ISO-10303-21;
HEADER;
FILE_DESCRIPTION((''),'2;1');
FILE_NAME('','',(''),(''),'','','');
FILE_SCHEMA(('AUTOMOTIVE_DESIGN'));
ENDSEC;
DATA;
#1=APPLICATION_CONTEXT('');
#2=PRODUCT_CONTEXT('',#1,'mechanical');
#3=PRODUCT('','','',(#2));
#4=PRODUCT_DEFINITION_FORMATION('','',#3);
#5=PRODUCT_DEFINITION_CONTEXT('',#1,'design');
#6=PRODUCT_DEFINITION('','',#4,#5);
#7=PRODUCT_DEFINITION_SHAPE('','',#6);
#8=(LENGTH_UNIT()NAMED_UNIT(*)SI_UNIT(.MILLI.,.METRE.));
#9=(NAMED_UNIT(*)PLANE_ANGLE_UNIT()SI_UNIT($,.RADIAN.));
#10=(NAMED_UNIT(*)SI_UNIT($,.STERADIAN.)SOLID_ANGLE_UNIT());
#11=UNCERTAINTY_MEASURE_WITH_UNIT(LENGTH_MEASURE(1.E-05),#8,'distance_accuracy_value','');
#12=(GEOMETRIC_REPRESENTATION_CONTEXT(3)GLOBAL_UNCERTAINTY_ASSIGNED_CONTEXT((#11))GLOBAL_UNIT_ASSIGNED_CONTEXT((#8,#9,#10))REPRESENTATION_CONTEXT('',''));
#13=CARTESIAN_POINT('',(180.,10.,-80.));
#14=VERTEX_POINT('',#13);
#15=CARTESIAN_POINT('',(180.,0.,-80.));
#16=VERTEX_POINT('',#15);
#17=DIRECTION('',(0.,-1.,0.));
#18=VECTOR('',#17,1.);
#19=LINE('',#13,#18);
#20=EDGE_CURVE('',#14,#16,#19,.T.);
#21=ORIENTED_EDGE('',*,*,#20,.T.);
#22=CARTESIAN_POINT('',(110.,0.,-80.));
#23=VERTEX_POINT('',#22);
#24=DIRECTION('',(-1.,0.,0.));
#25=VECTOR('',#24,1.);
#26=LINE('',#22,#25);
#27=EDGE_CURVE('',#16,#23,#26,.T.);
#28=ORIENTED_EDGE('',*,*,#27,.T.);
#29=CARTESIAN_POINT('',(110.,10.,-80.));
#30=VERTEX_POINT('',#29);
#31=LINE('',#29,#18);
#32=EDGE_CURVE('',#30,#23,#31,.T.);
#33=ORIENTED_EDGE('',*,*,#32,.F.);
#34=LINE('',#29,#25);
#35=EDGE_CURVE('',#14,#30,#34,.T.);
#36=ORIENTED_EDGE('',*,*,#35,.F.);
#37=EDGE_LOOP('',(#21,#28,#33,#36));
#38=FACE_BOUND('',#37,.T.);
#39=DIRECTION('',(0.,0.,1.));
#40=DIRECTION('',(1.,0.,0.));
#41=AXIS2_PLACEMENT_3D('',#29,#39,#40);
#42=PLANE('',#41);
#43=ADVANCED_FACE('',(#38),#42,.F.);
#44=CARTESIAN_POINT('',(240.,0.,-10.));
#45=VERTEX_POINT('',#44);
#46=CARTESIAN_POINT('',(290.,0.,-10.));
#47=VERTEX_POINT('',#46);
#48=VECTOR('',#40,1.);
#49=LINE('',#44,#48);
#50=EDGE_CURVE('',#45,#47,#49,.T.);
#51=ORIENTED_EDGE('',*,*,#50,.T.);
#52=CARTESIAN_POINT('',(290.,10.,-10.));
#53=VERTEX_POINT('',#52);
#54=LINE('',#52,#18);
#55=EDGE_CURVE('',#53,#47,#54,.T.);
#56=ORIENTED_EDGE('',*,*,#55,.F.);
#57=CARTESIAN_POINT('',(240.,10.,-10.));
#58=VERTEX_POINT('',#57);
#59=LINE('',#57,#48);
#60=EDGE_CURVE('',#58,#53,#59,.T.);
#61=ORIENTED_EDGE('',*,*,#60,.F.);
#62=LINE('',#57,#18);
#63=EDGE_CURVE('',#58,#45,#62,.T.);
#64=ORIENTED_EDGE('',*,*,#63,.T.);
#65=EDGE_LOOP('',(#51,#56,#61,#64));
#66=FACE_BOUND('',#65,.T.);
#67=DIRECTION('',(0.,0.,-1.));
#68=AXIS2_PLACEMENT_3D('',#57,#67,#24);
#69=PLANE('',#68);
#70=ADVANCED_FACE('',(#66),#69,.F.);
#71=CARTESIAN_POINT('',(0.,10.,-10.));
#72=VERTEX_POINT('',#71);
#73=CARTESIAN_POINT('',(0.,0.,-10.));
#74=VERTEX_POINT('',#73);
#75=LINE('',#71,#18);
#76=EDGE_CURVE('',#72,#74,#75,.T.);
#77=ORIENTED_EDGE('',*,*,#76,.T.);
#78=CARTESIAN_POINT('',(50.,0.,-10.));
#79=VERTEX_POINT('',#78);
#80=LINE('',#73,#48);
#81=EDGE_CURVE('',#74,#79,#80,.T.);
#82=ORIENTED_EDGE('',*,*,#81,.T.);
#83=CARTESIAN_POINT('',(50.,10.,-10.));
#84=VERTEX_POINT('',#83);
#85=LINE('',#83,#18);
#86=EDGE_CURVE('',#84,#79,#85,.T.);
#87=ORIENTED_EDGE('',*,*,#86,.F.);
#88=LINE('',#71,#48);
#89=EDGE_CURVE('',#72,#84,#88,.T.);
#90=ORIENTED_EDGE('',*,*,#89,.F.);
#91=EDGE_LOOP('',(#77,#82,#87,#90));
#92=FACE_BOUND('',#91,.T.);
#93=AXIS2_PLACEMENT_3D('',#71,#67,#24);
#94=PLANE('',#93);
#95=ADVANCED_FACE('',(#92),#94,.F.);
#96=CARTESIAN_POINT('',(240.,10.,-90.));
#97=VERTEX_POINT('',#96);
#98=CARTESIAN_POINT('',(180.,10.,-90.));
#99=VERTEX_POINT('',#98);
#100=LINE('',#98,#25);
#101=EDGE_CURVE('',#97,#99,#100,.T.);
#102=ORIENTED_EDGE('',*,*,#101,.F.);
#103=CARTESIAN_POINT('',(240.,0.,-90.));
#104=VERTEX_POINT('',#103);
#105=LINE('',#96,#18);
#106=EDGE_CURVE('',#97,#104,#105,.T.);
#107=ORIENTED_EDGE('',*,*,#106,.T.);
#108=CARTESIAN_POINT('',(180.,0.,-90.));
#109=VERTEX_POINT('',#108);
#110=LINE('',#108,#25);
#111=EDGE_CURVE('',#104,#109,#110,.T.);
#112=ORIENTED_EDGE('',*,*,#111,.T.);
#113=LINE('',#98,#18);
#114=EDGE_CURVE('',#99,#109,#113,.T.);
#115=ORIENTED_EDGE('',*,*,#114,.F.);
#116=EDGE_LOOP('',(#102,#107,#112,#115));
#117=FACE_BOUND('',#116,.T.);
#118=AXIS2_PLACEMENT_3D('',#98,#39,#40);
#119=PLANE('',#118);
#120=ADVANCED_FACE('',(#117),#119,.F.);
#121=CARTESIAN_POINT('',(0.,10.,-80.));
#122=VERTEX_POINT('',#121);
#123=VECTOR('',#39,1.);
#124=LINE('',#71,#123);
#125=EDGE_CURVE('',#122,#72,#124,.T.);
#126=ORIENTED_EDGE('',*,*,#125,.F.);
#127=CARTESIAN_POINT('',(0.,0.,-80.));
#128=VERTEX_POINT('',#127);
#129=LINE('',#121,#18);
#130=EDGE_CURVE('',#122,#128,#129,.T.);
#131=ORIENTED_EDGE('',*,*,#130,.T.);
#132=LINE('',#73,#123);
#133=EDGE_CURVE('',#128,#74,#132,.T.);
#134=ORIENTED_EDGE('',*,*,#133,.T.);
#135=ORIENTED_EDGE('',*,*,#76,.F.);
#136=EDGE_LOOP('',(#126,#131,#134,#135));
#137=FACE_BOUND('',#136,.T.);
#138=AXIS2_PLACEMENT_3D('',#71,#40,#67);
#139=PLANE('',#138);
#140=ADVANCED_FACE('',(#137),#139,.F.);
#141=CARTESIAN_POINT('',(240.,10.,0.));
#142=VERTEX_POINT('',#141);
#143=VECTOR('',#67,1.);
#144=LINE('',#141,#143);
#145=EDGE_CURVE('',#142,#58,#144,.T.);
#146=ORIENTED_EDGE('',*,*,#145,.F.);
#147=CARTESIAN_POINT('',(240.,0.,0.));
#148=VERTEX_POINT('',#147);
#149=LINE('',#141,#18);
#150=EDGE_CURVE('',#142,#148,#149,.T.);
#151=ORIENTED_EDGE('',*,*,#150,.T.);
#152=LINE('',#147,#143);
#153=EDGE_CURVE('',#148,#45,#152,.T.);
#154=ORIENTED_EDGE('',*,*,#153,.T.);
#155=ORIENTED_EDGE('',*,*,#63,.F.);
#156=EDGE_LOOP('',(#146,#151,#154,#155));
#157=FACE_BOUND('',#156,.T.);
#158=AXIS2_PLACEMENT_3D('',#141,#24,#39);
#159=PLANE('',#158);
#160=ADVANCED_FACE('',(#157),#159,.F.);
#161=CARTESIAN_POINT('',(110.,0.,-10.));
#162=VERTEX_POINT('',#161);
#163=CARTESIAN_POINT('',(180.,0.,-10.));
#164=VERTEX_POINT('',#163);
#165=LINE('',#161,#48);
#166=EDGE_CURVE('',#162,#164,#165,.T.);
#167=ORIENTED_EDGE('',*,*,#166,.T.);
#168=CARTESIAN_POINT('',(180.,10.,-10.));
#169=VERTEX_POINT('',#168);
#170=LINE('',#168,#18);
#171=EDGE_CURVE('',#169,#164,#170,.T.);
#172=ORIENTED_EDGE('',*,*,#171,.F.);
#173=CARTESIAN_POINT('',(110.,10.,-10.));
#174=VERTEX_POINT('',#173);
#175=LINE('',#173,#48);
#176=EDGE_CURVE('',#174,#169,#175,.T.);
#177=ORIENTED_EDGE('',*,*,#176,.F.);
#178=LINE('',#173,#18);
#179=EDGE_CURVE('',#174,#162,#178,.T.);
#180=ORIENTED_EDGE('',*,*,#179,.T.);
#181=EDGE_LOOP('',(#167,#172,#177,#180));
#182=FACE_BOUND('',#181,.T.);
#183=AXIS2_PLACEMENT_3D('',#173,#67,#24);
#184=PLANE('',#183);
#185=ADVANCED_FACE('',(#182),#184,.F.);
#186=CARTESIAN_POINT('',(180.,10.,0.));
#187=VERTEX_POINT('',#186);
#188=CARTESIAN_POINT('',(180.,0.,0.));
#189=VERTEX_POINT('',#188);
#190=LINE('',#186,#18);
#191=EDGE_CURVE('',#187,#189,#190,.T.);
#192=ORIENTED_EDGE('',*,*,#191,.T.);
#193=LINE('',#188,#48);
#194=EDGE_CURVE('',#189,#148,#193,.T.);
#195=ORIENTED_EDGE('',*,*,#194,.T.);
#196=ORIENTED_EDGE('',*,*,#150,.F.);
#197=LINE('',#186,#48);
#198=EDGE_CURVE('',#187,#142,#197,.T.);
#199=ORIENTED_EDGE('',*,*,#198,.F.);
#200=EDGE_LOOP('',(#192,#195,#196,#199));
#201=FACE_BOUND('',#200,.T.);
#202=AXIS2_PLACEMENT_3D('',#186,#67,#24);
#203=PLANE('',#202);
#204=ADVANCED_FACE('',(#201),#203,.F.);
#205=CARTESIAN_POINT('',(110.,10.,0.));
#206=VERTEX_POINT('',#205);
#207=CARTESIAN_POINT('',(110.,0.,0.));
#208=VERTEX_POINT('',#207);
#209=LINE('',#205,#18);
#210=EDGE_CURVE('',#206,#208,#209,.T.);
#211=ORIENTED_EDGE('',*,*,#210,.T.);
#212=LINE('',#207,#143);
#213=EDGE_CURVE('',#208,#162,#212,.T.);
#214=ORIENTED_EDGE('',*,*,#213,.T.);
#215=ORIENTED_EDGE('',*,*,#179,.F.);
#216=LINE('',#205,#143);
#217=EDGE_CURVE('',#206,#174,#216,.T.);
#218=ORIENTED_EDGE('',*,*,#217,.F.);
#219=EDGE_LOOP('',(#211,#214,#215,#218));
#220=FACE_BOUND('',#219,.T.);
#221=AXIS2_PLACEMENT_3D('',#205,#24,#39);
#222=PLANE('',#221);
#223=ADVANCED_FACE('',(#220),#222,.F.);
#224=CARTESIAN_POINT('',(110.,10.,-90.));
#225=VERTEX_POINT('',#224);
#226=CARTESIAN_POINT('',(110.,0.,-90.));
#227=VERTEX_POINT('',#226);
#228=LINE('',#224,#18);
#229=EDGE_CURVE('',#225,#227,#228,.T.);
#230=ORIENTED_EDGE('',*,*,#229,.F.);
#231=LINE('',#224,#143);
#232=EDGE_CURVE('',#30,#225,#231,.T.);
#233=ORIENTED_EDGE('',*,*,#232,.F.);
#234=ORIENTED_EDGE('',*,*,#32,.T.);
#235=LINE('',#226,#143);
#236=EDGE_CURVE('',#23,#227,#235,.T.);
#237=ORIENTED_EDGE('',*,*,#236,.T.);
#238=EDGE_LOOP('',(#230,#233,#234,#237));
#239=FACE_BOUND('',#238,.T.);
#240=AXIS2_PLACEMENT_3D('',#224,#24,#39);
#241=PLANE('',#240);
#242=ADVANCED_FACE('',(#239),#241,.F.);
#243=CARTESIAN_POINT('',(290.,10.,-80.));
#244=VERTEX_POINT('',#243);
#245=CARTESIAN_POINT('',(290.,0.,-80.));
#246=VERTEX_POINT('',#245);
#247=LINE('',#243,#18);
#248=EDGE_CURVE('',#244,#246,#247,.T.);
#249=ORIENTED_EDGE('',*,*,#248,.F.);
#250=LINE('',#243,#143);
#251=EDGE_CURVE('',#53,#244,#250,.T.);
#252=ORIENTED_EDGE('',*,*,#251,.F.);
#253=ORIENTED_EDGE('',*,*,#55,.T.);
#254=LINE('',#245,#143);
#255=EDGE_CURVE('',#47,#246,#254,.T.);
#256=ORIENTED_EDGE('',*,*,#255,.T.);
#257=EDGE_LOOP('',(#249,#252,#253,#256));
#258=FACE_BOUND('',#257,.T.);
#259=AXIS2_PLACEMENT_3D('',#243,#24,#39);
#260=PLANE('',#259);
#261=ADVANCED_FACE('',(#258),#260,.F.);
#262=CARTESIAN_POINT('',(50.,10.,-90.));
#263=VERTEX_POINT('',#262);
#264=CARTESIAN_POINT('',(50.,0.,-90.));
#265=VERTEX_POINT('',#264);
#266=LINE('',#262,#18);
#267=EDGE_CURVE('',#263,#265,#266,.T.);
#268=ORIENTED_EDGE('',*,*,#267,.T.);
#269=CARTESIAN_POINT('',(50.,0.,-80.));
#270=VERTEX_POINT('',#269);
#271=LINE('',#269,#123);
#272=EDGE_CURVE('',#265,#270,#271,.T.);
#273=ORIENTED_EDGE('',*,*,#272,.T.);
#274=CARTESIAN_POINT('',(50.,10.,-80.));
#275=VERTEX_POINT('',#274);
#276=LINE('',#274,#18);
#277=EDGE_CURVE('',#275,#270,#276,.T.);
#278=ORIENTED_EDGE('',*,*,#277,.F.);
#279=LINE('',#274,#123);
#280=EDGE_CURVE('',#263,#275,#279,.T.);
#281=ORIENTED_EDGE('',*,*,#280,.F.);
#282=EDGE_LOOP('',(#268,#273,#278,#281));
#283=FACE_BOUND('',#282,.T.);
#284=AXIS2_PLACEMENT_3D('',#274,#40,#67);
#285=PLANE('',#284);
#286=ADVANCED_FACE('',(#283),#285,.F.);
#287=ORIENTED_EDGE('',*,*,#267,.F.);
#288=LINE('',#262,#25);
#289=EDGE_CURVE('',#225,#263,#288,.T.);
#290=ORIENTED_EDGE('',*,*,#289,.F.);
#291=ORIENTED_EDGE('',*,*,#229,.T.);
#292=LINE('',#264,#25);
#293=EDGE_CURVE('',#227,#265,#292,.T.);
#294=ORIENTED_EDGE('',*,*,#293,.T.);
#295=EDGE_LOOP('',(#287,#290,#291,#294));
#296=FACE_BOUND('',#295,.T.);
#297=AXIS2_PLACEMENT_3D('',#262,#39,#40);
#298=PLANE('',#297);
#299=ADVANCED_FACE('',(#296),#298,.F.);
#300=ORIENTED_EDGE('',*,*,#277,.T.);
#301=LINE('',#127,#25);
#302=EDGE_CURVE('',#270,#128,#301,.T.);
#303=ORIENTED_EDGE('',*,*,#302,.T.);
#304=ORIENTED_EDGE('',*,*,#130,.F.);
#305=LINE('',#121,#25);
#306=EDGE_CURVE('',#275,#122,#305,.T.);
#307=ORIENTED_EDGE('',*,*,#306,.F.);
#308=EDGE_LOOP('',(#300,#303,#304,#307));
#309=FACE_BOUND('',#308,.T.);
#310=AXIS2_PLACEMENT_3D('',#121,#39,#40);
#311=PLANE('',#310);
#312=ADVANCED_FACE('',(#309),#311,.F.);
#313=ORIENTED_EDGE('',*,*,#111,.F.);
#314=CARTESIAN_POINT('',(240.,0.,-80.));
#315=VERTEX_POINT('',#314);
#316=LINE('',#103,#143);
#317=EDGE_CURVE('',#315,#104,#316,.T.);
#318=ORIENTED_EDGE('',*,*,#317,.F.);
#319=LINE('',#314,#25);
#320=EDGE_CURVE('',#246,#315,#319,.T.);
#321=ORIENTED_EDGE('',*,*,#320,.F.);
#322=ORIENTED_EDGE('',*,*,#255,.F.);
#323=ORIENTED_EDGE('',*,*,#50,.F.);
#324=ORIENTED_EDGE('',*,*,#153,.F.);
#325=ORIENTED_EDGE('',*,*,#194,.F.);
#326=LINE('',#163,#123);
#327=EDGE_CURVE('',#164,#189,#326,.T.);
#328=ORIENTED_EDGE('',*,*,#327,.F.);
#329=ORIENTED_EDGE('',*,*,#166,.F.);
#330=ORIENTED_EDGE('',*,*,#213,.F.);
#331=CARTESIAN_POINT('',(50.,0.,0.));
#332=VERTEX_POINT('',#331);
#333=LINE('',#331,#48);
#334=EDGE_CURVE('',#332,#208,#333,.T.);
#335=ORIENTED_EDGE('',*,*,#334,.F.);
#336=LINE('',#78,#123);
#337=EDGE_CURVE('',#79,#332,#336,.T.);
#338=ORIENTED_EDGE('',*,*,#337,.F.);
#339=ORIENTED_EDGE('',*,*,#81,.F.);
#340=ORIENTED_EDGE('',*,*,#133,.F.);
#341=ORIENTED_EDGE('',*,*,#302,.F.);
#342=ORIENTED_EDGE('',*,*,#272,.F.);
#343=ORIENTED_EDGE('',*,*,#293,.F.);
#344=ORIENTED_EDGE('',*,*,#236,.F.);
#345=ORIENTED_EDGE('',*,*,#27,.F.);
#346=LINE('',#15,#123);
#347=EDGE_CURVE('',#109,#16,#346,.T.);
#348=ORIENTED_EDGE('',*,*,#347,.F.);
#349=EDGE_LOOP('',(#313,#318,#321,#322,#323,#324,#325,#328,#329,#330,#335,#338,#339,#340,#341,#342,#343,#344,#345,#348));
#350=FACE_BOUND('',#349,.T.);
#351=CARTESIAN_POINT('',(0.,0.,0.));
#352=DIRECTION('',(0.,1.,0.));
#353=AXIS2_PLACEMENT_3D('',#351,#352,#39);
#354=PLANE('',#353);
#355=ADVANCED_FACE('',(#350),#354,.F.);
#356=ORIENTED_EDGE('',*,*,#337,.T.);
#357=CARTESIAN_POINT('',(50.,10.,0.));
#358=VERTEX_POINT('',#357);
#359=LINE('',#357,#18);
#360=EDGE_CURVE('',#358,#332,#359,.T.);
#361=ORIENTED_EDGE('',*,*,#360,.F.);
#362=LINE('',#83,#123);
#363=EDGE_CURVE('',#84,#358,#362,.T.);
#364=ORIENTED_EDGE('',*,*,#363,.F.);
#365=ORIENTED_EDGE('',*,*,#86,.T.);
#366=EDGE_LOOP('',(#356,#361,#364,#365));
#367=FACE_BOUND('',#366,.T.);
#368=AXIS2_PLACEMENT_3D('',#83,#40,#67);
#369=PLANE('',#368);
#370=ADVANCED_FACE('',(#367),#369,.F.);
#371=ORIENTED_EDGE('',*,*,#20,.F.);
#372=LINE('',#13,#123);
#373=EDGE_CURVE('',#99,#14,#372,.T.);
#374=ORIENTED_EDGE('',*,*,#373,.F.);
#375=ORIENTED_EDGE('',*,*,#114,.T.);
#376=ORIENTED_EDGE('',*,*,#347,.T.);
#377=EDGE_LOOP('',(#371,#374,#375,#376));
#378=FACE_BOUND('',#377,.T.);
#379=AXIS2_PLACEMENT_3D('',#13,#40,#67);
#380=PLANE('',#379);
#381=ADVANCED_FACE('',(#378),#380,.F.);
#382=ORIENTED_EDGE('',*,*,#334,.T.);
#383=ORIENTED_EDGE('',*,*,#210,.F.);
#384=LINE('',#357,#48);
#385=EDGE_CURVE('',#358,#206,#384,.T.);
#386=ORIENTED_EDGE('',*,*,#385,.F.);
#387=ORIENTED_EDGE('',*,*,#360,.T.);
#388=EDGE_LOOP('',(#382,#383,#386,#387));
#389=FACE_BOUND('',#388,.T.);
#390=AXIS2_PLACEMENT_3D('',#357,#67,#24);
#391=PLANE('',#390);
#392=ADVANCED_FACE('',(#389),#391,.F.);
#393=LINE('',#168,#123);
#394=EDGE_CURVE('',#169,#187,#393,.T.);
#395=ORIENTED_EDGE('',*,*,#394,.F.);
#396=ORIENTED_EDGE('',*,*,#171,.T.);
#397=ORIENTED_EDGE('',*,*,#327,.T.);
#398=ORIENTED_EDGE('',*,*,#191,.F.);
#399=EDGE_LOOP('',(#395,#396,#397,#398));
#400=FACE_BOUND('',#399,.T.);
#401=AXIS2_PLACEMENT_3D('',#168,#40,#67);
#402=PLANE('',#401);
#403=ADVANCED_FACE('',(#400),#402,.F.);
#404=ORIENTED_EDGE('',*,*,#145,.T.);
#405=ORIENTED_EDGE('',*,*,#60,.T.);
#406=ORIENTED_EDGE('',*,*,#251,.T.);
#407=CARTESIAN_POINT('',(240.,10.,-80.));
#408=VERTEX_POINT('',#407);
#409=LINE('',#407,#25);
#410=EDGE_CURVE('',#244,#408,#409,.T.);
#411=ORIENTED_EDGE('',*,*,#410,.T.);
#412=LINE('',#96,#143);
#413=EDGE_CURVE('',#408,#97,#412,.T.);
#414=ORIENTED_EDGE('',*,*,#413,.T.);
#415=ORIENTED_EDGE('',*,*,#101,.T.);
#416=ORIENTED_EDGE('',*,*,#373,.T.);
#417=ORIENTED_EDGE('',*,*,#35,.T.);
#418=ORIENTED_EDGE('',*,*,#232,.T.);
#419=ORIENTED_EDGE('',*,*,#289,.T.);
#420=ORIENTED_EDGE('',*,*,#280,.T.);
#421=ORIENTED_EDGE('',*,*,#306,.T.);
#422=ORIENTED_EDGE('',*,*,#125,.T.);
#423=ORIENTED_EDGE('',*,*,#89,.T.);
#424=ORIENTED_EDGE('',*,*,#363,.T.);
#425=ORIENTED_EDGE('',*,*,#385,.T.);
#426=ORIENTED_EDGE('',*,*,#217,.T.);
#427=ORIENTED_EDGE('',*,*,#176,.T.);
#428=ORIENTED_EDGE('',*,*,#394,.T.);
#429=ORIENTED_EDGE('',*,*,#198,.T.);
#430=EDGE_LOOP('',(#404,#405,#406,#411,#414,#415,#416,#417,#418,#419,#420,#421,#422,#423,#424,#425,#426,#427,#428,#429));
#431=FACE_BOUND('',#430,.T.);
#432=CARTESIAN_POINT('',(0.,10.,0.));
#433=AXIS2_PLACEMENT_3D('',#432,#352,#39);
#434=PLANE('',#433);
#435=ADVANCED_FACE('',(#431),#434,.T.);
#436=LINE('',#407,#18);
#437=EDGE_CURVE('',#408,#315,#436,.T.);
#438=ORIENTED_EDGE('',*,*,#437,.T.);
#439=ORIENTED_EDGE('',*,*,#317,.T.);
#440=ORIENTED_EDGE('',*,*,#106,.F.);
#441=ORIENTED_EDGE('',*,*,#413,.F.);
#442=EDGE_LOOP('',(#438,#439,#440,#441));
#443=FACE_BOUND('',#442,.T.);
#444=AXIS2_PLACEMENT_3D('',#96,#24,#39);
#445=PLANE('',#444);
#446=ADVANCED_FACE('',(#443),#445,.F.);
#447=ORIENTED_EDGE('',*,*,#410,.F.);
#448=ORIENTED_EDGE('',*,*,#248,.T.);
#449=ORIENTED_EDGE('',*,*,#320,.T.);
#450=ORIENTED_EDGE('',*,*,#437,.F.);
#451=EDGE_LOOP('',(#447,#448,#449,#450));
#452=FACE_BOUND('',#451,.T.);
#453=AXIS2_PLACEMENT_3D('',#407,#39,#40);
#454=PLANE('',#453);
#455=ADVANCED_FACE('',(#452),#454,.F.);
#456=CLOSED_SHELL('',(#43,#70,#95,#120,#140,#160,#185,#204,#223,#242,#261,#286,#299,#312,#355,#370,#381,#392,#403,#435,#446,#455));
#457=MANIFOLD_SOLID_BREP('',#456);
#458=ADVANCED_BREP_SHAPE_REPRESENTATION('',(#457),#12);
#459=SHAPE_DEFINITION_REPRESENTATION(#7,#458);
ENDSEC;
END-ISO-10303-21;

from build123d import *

# Parameters (mm, degrees)
BOSS_EXTRU_1_DEPTH = 10


with BuildPart() as part:
    # Esquisse1 → Boss.-Extru.1 (new body)
    with BuildSketch(Plane(origin=(0, 0, 0), x_dir=(1, 0, 0), z_dir=(0, 1, 0))):
        Polygon((0, 10), (50, 10), (50, 0), (110, 0), (110, 10), (180, 10), (180, 0), (240, 0), (240, 10), (290, 10), (290, 80), (240, 80), (240, 90), (180, 90), (180, 80), (110, 80), (110, 90), (50, 90), (50, 80), (0, 80), align=None)
    extrude(amount=BOSS_EXTRU_1_DEPTH)


solid = part.part
